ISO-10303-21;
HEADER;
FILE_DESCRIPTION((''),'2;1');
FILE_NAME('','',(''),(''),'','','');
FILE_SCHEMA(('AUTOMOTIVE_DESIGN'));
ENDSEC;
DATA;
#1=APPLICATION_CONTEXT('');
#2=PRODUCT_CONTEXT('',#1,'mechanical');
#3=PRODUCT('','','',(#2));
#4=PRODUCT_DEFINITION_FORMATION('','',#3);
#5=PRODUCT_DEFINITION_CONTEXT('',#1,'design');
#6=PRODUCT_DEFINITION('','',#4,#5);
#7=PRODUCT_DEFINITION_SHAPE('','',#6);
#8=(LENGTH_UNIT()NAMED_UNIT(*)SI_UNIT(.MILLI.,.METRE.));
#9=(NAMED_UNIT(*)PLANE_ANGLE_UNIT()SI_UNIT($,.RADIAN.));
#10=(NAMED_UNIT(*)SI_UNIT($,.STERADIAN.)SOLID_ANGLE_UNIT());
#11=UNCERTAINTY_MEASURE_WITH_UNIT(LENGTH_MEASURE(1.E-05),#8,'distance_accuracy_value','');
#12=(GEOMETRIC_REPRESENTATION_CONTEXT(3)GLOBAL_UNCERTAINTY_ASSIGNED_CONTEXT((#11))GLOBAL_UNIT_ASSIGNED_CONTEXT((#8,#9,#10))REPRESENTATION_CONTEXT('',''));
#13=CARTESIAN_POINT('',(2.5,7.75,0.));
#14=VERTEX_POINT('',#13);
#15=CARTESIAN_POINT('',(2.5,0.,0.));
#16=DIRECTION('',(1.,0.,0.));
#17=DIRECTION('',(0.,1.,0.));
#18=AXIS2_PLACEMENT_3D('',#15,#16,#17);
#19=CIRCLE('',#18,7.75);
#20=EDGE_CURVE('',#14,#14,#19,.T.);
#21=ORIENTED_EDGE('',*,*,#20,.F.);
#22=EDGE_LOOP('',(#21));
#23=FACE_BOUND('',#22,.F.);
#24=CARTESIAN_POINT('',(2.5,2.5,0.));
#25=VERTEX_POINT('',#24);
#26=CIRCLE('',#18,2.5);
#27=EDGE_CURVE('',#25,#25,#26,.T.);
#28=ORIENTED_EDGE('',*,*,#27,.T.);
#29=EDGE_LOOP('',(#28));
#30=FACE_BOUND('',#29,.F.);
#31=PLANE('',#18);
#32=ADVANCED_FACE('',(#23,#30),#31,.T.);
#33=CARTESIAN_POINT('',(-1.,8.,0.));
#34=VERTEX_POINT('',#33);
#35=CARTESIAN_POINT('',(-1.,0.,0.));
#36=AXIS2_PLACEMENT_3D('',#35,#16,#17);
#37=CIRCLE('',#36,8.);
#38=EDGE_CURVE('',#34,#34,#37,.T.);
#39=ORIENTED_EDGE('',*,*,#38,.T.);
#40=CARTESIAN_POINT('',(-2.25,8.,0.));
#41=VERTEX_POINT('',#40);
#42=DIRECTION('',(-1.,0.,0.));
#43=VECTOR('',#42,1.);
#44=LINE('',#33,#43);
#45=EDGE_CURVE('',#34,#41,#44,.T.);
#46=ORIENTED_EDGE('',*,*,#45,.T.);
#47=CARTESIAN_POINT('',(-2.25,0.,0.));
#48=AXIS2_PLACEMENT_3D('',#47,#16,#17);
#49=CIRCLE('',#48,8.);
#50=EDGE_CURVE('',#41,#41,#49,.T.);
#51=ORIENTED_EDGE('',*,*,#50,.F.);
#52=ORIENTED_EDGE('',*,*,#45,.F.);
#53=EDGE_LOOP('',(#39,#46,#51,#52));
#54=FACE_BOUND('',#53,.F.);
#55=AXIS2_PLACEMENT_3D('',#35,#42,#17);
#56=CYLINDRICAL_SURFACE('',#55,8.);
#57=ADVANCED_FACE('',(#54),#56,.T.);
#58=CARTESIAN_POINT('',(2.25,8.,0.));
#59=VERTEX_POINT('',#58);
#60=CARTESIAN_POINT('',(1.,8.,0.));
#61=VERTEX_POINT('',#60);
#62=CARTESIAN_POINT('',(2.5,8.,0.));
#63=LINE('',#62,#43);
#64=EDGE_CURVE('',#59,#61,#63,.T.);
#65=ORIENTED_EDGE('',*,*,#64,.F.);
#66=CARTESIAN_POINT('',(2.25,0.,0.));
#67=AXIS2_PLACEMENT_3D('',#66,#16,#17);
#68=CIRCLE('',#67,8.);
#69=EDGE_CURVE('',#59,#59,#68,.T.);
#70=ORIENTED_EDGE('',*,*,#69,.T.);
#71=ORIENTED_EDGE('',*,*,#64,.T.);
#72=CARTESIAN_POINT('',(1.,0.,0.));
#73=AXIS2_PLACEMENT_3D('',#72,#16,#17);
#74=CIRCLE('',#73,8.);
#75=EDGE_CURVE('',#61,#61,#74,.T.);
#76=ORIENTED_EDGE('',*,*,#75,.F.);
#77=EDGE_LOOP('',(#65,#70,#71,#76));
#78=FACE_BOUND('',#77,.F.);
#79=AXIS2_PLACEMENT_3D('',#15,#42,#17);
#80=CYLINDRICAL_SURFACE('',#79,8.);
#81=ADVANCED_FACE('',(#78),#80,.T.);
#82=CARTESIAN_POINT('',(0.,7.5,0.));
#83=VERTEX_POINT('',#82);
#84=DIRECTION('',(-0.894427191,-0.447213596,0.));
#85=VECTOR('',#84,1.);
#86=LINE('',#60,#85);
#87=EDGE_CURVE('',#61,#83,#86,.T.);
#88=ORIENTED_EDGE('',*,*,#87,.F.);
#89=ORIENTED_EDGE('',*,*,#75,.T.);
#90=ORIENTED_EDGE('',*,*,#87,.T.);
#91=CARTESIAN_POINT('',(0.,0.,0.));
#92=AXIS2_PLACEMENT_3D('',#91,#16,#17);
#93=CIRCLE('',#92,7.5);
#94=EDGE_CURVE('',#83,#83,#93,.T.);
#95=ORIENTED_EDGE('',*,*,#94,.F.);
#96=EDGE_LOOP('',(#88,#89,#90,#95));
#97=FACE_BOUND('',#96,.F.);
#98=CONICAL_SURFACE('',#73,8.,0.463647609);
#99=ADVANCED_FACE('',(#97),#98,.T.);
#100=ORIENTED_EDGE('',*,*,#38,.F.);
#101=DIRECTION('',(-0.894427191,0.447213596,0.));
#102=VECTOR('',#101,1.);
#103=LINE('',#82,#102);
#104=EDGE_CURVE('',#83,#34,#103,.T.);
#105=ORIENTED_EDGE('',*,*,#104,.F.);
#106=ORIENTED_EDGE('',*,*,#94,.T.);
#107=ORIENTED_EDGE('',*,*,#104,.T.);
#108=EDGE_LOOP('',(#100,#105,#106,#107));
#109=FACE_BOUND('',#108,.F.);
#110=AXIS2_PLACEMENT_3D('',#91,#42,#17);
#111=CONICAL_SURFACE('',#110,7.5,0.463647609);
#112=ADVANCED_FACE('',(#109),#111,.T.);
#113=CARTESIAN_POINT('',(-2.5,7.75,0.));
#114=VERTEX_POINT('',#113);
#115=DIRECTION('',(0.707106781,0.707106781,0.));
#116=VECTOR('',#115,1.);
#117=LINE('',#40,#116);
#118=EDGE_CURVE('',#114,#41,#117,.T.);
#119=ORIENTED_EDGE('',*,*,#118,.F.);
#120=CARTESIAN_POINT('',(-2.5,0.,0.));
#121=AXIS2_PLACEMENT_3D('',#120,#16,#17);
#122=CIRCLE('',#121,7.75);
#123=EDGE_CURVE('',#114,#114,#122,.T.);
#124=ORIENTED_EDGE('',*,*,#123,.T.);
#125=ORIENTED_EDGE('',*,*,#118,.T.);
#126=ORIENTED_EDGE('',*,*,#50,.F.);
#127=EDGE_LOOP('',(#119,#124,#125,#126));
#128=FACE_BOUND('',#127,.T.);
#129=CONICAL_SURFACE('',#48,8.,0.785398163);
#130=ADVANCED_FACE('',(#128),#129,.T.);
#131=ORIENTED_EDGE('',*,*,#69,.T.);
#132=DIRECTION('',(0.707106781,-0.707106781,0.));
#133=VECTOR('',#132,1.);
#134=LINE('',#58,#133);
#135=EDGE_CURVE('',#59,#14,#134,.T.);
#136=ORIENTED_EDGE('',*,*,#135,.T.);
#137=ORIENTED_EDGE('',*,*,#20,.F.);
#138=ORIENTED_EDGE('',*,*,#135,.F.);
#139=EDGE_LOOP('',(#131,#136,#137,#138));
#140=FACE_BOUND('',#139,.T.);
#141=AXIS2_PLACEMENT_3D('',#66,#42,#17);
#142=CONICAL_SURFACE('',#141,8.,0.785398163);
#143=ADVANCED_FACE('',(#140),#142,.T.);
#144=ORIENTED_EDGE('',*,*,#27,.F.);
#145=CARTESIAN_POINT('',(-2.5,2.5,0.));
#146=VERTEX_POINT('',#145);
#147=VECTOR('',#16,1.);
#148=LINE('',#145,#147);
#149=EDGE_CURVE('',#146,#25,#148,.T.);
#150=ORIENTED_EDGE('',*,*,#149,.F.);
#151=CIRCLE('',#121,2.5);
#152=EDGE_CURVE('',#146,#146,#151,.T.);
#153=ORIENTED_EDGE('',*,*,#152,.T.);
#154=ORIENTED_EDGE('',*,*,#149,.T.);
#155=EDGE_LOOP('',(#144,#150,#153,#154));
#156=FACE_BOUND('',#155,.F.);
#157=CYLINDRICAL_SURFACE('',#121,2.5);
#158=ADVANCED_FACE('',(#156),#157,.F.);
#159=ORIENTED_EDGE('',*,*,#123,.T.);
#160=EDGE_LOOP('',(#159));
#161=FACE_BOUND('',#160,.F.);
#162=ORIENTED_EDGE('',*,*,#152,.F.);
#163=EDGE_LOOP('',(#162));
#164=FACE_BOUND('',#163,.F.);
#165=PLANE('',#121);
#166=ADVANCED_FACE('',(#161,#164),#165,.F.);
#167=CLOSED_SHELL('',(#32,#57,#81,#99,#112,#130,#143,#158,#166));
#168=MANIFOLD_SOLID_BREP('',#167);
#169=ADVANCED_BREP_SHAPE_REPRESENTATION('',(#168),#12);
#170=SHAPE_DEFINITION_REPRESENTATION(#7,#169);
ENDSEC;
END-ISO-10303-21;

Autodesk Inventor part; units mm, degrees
ref_plane "YZ Plane" through (0, 0, 0) normal (1, 0, 0) x (0, 1, 0)
ref_plane "XZ Plane" through (0, 0, 0) normal (0, 1, 0) x (-1, 0, 0)
ref_plane "XY Plane" through (0, 0, 0) normal (0, 0, 1) x (1, 0, 0)
sketch "Sketch1" plane through (0, 0, 0) normal (0, 0, 1) x (1, 0, 0)
  line L0 (-2.5, 2.5) -> (2.5, 2.5)
  line L1 (2.5, 2.5) -> (2.5, 8)
  line L2 (2.5, 8) -> (1, 8)
  line L3 (1, 8) -> (0, 7.5)
  line L4 (0, 7.5) -> (-1, 8)
  line L5 (-1, 8) -> (-2.5, 8)
  line L6 (-2.5, 8) -> (-2.5, 2.5)
  line L7 (-3.5, 0) -> (3.5, 0) projected
  point P0 (0, 0)
  point P1 (0, 2.5)
  dimension "d0" = 2.5
  dimension "d1" = 8
  dimension "d2" = 7.5
  dimension "d3" = 2
  dimension "d4" = 5
revolve "Revolution1" add sketch "Sketch1" angle 360 about axis through (-10, 0, 0) along (1, 0, 0)
chamfer "Chamfer1" distance 0.25 angle 45 2 edges at (-2.5, -8, 0) (2.5, -8, 0)
properties part number "625vv"
